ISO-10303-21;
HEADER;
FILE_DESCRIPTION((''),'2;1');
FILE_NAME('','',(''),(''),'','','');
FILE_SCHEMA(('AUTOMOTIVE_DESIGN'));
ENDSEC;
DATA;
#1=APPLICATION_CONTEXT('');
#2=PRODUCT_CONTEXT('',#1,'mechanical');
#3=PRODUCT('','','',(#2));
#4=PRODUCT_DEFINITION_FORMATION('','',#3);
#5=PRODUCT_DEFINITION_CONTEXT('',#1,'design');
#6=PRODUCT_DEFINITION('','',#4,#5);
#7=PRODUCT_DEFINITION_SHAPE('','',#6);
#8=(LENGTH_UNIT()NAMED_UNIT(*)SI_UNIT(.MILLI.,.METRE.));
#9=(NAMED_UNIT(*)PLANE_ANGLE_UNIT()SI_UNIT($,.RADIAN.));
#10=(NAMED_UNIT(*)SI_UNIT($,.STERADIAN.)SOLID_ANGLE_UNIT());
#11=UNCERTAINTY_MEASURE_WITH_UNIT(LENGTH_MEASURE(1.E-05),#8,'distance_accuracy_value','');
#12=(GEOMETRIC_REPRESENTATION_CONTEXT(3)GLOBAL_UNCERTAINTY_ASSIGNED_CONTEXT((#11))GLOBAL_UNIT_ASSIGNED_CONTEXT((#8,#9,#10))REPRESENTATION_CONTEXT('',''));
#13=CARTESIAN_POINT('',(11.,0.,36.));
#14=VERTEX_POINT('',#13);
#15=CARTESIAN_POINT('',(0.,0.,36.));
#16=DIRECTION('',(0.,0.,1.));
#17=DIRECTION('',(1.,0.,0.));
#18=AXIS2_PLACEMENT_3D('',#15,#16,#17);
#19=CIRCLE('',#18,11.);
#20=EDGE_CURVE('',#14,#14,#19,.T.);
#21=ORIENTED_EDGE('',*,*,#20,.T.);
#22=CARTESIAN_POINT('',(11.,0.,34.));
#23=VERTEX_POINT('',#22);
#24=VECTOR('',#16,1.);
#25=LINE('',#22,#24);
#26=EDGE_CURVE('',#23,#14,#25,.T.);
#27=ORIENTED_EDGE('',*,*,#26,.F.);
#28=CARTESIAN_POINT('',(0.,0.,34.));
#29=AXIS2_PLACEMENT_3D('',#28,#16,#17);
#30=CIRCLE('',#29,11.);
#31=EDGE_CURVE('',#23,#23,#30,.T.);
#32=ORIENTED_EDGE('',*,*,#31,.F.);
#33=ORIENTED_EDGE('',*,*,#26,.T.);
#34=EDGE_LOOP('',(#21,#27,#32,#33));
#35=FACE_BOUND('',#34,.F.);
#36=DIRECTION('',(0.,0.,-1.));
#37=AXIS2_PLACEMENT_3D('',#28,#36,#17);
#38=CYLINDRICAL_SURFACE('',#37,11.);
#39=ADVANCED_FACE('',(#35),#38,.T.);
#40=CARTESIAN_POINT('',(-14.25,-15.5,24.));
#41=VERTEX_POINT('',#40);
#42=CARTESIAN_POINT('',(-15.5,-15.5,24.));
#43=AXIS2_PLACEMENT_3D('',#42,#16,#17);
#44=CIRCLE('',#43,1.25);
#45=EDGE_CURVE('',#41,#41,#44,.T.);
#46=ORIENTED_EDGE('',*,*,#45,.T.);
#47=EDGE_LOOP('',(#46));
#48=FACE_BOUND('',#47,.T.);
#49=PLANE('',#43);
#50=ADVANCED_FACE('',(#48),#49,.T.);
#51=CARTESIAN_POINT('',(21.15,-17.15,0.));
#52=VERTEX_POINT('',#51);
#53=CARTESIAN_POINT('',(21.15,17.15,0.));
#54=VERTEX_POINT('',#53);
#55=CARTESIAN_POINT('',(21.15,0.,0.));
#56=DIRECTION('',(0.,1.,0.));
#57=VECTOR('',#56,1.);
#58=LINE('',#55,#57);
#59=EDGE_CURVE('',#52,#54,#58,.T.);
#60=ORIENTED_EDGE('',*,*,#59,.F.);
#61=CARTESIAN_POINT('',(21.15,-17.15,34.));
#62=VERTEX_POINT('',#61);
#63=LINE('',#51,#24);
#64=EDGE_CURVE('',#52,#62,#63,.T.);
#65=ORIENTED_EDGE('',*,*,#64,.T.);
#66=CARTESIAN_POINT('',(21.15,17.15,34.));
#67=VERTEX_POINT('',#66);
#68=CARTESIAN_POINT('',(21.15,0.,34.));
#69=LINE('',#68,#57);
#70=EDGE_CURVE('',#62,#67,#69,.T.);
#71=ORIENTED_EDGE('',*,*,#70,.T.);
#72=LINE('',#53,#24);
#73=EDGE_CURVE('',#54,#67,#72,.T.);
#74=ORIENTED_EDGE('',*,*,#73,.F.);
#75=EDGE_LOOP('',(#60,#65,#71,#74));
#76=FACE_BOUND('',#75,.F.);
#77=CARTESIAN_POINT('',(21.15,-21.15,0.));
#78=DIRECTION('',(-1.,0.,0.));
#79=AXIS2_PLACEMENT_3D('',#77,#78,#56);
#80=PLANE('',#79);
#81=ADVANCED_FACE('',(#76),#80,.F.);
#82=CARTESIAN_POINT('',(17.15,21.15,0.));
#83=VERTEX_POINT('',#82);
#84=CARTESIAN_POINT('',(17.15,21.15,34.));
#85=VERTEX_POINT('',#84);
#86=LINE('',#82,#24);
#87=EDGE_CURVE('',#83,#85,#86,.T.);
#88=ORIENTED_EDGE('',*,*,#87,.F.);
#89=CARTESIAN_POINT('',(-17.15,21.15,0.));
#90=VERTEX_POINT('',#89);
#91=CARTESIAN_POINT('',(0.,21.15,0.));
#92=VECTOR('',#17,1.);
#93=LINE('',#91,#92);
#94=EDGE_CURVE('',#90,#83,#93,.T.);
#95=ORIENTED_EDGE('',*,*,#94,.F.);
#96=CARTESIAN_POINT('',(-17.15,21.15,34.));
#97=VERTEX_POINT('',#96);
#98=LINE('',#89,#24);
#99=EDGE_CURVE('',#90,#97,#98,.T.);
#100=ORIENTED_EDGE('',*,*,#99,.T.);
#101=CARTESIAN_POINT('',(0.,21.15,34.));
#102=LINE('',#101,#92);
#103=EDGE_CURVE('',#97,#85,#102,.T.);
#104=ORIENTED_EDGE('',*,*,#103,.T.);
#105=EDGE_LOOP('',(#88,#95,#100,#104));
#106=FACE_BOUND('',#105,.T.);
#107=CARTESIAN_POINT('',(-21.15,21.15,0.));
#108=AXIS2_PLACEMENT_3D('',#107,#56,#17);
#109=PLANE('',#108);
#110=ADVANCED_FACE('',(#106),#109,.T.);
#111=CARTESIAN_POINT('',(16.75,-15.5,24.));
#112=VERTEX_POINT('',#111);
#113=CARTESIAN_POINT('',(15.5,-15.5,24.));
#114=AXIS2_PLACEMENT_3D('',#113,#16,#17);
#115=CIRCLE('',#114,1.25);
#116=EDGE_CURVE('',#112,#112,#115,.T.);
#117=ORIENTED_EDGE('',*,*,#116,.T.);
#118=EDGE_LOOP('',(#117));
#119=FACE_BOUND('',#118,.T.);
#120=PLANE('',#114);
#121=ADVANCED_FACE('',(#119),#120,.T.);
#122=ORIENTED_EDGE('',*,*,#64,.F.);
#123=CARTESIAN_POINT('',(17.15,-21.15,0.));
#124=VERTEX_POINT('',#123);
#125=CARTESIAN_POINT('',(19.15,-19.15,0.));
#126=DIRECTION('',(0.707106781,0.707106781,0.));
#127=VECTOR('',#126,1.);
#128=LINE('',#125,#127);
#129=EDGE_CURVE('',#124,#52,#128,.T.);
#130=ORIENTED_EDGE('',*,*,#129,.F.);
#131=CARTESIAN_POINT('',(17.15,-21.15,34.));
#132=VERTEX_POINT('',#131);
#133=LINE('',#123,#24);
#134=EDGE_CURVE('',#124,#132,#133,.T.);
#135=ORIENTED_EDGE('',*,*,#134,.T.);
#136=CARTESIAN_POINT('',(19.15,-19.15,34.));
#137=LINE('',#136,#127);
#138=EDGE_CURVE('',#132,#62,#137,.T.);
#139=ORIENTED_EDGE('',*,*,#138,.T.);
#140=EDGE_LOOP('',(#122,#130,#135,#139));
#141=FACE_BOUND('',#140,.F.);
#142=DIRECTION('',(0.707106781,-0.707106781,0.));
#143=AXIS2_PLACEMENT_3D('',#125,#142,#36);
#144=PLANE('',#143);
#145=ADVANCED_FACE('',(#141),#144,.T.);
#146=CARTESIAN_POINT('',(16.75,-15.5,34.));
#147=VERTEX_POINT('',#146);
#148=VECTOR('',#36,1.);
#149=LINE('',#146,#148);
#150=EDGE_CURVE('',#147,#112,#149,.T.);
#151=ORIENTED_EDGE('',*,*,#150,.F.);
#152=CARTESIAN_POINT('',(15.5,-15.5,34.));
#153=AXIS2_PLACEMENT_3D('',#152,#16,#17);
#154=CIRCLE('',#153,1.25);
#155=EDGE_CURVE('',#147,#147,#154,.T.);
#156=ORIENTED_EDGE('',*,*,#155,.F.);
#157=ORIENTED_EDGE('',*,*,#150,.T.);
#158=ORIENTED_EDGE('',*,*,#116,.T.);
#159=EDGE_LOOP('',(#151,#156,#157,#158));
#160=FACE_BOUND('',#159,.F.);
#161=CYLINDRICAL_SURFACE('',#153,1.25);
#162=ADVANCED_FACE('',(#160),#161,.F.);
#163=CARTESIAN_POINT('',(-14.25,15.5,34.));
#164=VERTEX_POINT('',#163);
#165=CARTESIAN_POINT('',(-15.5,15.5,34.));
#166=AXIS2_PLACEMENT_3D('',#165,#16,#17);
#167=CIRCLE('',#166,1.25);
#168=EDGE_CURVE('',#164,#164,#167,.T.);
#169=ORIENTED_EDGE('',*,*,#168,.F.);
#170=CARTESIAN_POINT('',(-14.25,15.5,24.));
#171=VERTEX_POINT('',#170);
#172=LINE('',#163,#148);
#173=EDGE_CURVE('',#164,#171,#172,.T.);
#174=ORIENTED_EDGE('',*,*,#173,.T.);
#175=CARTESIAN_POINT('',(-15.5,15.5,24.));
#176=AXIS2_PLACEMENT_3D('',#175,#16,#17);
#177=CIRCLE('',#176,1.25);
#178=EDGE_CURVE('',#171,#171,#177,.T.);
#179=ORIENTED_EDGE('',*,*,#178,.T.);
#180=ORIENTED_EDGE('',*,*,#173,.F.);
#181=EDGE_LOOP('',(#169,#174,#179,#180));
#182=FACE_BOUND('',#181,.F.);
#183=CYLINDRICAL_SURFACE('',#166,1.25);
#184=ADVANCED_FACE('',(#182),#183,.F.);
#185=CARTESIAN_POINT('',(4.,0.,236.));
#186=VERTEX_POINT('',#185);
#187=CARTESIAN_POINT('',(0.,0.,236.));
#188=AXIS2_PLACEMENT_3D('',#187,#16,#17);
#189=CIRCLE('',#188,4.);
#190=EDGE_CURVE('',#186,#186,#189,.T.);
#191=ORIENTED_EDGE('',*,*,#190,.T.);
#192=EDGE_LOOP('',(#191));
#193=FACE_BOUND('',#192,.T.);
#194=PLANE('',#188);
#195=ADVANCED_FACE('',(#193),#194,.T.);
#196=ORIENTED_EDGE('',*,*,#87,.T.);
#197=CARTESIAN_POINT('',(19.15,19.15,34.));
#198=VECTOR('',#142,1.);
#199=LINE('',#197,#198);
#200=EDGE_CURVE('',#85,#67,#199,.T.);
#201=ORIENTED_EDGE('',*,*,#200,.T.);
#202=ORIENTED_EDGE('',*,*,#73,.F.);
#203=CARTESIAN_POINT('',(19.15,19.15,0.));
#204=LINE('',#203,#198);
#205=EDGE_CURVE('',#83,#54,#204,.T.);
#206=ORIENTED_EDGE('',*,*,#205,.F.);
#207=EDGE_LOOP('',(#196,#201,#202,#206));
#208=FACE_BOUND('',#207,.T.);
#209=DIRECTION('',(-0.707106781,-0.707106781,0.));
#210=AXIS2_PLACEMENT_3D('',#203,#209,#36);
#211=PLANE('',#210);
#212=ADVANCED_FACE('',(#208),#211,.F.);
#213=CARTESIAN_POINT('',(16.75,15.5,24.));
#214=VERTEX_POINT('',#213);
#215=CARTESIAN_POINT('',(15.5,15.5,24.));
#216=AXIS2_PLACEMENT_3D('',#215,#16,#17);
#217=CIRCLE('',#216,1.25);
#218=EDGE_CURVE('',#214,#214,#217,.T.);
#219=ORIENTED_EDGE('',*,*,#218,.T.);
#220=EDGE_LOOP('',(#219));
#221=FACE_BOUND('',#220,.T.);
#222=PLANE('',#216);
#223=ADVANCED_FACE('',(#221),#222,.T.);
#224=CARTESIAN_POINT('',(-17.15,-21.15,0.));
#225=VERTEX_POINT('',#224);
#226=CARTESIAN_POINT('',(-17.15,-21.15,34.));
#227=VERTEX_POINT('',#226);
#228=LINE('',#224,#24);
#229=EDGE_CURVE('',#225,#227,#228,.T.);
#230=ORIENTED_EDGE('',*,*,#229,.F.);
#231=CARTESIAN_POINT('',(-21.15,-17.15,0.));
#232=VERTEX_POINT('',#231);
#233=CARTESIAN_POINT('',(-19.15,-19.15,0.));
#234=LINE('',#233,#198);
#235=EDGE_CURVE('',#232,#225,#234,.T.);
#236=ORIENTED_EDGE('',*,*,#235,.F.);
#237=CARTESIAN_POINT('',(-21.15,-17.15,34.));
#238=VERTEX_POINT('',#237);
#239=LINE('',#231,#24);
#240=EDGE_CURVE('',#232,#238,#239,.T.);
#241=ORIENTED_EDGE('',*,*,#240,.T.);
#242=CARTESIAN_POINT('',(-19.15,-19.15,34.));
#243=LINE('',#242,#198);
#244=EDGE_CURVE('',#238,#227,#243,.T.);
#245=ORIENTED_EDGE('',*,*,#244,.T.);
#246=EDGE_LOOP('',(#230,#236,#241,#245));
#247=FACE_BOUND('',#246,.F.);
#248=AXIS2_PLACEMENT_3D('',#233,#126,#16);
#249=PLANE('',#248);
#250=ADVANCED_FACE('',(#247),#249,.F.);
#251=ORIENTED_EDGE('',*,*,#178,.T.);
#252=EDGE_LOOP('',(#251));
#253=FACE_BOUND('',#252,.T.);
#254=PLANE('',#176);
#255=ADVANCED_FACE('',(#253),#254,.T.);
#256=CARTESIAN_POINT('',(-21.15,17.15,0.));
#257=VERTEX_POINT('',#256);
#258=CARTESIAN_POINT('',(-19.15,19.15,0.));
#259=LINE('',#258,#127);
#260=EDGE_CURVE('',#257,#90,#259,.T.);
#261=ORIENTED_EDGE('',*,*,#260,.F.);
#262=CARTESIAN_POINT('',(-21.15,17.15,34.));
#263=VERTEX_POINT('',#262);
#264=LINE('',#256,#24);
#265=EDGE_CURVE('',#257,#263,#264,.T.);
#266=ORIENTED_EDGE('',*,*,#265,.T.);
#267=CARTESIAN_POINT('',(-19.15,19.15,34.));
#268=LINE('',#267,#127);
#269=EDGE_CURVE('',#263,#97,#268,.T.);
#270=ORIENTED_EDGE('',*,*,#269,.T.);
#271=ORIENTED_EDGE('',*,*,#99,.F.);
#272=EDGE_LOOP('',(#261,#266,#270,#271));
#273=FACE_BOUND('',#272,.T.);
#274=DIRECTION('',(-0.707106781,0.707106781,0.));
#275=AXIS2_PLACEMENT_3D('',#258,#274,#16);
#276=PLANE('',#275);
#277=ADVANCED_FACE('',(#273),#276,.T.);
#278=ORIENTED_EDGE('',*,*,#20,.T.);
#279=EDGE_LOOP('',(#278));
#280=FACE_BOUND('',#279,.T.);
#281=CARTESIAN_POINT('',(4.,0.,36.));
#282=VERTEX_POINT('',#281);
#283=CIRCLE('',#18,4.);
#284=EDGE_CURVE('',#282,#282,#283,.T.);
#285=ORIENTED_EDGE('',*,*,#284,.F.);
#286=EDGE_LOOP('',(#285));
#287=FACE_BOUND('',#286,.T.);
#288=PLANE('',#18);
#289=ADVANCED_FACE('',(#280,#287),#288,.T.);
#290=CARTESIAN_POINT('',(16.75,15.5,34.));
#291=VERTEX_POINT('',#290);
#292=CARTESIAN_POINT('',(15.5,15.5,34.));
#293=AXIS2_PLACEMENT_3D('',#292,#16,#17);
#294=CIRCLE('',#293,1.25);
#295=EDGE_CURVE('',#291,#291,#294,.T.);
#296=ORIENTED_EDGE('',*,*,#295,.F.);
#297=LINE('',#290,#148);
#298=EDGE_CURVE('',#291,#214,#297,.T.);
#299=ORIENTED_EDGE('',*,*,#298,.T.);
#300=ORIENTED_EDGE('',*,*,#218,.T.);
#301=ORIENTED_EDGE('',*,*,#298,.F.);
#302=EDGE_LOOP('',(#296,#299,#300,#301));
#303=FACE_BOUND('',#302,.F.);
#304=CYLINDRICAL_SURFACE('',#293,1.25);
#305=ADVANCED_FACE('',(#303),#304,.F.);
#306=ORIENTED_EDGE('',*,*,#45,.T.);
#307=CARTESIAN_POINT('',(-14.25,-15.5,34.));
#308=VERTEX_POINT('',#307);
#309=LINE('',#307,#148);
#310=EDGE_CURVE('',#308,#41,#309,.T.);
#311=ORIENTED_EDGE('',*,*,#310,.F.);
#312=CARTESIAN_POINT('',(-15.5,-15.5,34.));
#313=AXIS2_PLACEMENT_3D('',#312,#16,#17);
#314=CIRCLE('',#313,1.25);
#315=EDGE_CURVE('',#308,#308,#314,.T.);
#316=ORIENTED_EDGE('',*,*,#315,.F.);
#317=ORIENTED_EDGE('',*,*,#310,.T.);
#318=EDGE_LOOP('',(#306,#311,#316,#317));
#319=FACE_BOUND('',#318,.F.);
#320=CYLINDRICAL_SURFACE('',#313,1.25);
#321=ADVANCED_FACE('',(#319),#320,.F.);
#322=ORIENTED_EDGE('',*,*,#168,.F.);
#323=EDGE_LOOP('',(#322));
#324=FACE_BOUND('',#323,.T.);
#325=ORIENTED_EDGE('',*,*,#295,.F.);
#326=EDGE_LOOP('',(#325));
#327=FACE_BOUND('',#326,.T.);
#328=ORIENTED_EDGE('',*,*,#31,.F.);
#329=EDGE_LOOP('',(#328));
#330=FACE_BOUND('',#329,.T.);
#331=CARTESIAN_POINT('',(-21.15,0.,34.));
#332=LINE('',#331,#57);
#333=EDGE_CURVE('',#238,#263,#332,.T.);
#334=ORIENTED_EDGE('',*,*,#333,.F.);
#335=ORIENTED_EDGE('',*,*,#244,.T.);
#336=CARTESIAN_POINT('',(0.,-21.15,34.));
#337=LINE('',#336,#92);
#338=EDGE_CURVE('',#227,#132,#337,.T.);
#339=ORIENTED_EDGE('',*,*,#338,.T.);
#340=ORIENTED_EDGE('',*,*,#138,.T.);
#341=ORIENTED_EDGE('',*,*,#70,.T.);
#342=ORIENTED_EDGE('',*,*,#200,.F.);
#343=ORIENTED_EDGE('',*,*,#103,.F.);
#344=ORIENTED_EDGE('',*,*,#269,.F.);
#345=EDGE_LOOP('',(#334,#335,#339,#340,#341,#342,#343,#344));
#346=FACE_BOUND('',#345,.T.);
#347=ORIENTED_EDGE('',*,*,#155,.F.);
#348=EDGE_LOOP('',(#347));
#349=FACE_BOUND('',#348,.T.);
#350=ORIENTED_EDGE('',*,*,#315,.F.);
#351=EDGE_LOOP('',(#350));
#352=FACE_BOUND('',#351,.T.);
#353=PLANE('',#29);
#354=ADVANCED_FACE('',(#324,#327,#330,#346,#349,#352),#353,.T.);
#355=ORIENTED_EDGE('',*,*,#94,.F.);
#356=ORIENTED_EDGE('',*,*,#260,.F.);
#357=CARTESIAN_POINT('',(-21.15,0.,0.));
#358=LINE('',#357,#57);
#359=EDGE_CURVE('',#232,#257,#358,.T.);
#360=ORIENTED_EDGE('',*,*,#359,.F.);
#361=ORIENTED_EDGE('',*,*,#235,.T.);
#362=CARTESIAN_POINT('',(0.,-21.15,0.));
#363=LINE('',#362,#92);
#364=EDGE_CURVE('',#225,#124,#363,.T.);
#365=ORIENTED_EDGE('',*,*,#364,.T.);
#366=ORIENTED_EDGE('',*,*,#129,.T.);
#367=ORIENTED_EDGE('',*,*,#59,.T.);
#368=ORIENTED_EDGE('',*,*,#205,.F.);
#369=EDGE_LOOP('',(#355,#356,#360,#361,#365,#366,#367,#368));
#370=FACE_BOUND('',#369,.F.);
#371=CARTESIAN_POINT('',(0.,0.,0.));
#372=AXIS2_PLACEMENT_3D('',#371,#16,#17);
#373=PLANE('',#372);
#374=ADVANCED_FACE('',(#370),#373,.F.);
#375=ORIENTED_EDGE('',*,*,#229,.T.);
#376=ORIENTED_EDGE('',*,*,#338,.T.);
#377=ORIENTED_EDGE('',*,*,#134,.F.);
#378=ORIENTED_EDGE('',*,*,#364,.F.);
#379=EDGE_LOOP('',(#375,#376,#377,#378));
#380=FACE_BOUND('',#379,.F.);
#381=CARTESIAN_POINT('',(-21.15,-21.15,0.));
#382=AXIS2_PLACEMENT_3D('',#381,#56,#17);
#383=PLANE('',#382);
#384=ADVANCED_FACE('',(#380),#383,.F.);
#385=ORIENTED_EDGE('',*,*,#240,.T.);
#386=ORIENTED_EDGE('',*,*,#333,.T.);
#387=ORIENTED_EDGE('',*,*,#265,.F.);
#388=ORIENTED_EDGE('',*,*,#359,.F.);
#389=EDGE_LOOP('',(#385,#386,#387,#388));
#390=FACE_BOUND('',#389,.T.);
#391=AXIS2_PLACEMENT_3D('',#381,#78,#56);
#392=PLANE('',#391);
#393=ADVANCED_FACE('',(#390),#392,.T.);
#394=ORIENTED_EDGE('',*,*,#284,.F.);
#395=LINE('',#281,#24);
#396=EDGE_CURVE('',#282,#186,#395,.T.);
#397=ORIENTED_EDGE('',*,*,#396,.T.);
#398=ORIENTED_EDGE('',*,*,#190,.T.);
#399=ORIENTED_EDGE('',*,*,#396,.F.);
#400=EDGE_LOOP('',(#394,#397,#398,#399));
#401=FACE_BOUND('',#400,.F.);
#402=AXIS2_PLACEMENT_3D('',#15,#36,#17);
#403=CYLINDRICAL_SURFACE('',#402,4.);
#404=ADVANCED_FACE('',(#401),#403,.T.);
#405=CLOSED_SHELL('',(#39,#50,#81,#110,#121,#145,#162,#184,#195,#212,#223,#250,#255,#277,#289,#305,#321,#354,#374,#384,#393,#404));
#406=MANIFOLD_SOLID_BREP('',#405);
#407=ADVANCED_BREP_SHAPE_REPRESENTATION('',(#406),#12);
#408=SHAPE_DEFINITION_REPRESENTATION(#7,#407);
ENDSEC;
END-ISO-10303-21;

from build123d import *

# Parameters (mm, degrees)
SKETCH1_W           = 42.3
SKETCH1_H           = 42.3
BOSS_EXTRUDE1_DEPTH = 34
SKETCH2_R           = 11
BOSS_EXTRUDE2_DEPTH = 2
SKETCH3_R           = 4
BOSS_EXTRUDE3_DEPTH = 200
CHAMFER1_SIZE       = 4
SKETCH4_R           = 1.25
CUT_EXTRUDE1_DEPTH  = 10


with BuildPart() as part:
    # Sketch1 → Boss-Extrude1 (new body)
    with BuildSketch(Plane.XY):
        Rectangle(SKETCH1_W, SKETCH1_H)
    extrude(amount=BOSS_EXTRUDE1_DEPTH)

    # Sketch2 → Boss-Extrude2 (add)
    with BuildSketch(Plane.XY.offset(34)):
        Circle(SKETCH2_R)
    extrude(amount=BOSS_EXTRUDE2_DEPTH)

    # Sketch3 → Boss-Extrude3 (add)
    with BuildSketch(Plane.XY.offset(36)):
        Circle(SKETCH3_R)
    extrude(amount=BOSS_EXTRUDE3_DEPTH)

    # Chamfer1
    chamfer1_edges = [part.edges().sort_by_distance(p)[0] for p in [
        (21.15, -21.15, 17),
        (-21.15, -21.15, 17),
        (-21.15, 21.15, 17),
        (21.15, 21.15, 17),
    ]]
    chamfer(chamfer1_edges, length=CHAMFER1_SIZE)

    # Sketch4 → Cut-Extrude1 (cut)
    with BuildSketch(Plane.XY.offset(34)):
        with Locations((-15.5, 15.5)):
            Circle(SKETCH4_R)
        with Locations((15.5, 15.5)):
            Circle(SKETCH4_R)
        with Locations((15.5, -15.5)):
            Circle(SKETCH4_R)
        with Locations((-15.5, -15.5)):
            Circle(SKETCH4_R)
    extrude(amount=-CUT_EXTRUDE1_DEPTH, mode=Mode.SUBTRACT)


solid = part.part
